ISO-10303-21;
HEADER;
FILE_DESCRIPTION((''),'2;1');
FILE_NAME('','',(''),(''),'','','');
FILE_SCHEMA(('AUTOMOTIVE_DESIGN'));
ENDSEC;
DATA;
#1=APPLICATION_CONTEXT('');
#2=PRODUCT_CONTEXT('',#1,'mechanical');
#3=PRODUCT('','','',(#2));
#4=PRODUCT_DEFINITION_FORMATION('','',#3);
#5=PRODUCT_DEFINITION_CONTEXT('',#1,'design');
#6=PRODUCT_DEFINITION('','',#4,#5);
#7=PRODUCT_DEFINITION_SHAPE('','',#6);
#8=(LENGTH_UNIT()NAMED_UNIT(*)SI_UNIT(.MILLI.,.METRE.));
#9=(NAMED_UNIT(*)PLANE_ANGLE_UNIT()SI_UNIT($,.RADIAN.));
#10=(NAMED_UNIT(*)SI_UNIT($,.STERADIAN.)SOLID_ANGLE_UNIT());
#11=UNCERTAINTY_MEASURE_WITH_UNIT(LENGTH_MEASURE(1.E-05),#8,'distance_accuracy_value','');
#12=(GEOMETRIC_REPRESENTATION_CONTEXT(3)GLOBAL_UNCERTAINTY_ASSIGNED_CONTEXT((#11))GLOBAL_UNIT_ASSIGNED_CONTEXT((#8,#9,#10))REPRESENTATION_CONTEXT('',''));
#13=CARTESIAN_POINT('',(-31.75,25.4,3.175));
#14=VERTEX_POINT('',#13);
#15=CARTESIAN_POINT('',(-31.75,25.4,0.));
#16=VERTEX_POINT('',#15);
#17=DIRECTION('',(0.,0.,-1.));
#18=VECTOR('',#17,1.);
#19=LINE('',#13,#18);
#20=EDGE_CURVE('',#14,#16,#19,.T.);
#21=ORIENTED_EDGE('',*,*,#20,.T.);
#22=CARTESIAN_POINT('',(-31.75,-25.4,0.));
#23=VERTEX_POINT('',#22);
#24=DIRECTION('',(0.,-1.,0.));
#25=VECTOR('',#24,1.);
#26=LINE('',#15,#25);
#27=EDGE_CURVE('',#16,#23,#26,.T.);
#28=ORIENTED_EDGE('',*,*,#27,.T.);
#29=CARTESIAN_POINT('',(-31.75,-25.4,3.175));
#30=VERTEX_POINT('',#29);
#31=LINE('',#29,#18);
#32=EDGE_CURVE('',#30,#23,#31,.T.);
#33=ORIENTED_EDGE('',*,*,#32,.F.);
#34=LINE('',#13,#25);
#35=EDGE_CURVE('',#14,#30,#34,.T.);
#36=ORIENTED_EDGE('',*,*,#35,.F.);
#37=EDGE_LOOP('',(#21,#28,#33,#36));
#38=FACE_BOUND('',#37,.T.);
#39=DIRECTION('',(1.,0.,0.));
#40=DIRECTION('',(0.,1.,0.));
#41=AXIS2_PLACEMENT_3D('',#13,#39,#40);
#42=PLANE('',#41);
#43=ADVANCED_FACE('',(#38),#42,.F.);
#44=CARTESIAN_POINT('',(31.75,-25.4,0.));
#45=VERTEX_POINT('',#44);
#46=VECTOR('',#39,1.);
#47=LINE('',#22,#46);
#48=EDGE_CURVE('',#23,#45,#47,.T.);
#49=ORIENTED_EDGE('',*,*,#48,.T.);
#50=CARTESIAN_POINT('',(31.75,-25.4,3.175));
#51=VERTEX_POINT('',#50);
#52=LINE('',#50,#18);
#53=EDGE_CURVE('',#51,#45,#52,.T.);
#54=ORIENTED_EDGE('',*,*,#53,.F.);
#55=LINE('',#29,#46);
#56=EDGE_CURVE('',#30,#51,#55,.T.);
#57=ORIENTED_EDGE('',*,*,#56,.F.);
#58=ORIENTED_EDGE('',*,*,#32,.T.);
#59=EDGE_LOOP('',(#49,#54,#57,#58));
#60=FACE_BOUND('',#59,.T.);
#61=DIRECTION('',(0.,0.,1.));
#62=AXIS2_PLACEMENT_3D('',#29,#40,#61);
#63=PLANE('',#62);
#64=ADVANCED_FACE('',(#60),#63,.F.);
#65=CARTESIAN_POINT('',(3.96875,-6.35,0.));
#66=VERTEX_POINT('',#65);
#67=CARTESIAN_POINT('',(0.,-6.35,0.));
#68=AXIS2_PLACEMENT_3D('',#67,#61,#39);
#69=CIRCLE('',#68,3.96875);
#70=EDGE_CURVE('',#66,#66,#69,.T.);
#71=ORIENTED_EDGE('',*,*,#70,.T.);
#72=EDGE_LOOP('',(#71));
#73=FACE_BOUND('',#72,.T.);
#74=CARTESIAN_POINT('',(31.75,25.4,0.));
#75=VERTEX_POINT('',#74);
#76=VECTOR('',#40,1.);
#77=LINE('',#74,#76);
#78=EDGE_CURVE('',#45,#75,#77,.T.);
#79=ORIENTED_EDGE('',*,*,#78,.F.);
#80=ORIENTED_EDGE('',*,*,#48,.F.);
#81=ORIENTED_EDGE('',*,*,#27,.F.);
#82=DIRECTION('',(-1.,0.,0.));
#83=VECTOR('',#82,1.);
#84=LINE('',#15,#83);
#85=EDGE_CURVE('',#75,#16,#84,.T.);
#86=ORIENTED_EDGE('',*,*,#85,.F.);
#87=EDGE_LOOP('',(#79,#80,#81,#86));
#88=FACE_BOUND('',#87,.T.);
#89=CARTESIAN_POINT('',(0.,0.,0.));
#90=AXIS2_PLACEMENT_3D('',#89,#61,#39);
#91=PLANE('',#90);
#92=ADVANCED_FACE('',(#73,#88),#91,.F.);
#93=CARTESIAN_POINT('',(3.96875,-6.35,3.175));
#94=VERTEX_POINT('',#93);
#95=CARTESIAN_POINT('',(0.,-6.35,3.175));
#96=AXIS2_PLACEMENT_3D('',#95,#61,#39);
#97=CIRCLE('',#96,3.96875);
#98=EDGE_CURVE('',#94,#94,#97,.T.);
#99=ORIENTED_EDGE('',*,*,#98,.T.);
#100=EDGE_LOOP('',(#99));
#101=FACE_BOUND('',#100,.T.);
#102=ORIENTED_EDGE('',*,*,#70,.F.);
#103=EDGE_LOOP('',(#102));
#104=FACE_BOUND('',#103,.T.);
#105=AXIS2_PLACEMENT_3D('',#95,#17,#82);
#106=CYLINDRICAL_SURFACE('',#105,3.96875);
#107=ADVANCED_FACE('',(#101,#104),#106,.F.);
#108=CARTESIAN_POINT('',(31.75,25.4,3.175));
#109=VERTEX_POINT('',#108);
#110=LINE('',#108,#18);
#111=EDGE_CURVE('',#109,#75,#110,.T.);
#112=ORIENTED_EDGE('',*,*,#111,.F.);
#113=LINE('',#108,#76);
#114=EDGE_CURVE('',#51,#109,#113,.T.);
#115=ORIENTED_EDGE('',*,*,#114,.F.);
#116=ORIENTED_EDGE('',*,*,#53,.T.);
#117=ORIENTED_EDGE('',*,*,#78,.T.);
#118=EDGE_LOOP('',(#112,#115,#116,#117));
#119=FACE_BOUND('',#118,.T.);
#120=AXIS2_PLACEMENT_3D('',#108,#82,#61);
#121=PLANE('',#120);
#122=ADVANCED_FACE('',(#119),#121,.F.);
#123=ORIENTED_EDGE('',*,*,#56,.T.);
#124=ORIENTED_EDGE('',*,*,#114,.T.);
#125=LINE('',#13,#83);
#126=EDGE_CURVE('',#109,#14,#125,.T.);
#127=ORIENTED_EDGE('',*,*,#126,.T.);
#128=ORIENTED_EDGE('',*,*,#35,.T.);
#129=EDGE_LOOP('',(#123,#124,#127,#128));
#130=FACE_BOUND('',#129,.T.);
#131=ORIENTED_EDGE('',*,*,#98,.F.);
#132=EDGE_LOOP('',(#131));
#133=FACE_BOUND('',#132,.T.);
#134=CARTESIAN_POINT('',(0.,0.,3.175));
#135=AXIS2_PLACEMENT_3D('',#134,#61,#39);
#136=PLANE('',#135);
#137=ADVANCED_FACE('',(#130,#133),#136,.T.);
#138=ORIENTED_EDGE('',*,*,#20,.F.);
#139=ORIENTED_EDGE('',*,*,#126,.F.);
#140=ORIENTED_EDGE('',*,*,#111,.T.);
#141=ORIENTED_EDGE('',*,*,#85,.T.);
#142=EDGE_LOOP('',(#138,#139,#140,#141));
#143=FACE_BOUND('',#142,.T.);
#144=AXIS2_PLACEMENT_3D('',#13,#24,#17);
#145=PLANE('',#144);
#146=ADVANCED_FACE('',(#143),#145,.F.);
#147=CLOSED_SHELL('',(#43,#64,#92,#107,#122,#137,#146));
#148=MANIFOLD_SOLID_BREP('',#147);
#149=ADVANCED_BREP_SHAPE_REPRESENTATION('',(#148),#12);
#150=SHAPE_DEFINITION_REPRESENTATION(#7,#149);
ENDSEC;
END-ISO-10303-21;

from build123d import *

# Parameters (mm, degrees)
SKETCH1_W           = 63.5
SKETCH1_H           = 50.8
SKETCH1_R           = 3.96875
BOSS_EXTRUDE1_DEPTH = 3.175


with BuildPart() as part:
    # Sketch1 → Boss-Extrude1 (new body)
    with BuildSketch(Plane.XY):
        Rectangle(SKETCH1_W, SKETCH1_H)
        with Locations((0, -6.35)):
            Circle(SKETCH1_R, mode=Mode.SUBTRACT)
    extrude(amount=BOSS_EXTRUDE1_DEPTH)


solid = part.part
